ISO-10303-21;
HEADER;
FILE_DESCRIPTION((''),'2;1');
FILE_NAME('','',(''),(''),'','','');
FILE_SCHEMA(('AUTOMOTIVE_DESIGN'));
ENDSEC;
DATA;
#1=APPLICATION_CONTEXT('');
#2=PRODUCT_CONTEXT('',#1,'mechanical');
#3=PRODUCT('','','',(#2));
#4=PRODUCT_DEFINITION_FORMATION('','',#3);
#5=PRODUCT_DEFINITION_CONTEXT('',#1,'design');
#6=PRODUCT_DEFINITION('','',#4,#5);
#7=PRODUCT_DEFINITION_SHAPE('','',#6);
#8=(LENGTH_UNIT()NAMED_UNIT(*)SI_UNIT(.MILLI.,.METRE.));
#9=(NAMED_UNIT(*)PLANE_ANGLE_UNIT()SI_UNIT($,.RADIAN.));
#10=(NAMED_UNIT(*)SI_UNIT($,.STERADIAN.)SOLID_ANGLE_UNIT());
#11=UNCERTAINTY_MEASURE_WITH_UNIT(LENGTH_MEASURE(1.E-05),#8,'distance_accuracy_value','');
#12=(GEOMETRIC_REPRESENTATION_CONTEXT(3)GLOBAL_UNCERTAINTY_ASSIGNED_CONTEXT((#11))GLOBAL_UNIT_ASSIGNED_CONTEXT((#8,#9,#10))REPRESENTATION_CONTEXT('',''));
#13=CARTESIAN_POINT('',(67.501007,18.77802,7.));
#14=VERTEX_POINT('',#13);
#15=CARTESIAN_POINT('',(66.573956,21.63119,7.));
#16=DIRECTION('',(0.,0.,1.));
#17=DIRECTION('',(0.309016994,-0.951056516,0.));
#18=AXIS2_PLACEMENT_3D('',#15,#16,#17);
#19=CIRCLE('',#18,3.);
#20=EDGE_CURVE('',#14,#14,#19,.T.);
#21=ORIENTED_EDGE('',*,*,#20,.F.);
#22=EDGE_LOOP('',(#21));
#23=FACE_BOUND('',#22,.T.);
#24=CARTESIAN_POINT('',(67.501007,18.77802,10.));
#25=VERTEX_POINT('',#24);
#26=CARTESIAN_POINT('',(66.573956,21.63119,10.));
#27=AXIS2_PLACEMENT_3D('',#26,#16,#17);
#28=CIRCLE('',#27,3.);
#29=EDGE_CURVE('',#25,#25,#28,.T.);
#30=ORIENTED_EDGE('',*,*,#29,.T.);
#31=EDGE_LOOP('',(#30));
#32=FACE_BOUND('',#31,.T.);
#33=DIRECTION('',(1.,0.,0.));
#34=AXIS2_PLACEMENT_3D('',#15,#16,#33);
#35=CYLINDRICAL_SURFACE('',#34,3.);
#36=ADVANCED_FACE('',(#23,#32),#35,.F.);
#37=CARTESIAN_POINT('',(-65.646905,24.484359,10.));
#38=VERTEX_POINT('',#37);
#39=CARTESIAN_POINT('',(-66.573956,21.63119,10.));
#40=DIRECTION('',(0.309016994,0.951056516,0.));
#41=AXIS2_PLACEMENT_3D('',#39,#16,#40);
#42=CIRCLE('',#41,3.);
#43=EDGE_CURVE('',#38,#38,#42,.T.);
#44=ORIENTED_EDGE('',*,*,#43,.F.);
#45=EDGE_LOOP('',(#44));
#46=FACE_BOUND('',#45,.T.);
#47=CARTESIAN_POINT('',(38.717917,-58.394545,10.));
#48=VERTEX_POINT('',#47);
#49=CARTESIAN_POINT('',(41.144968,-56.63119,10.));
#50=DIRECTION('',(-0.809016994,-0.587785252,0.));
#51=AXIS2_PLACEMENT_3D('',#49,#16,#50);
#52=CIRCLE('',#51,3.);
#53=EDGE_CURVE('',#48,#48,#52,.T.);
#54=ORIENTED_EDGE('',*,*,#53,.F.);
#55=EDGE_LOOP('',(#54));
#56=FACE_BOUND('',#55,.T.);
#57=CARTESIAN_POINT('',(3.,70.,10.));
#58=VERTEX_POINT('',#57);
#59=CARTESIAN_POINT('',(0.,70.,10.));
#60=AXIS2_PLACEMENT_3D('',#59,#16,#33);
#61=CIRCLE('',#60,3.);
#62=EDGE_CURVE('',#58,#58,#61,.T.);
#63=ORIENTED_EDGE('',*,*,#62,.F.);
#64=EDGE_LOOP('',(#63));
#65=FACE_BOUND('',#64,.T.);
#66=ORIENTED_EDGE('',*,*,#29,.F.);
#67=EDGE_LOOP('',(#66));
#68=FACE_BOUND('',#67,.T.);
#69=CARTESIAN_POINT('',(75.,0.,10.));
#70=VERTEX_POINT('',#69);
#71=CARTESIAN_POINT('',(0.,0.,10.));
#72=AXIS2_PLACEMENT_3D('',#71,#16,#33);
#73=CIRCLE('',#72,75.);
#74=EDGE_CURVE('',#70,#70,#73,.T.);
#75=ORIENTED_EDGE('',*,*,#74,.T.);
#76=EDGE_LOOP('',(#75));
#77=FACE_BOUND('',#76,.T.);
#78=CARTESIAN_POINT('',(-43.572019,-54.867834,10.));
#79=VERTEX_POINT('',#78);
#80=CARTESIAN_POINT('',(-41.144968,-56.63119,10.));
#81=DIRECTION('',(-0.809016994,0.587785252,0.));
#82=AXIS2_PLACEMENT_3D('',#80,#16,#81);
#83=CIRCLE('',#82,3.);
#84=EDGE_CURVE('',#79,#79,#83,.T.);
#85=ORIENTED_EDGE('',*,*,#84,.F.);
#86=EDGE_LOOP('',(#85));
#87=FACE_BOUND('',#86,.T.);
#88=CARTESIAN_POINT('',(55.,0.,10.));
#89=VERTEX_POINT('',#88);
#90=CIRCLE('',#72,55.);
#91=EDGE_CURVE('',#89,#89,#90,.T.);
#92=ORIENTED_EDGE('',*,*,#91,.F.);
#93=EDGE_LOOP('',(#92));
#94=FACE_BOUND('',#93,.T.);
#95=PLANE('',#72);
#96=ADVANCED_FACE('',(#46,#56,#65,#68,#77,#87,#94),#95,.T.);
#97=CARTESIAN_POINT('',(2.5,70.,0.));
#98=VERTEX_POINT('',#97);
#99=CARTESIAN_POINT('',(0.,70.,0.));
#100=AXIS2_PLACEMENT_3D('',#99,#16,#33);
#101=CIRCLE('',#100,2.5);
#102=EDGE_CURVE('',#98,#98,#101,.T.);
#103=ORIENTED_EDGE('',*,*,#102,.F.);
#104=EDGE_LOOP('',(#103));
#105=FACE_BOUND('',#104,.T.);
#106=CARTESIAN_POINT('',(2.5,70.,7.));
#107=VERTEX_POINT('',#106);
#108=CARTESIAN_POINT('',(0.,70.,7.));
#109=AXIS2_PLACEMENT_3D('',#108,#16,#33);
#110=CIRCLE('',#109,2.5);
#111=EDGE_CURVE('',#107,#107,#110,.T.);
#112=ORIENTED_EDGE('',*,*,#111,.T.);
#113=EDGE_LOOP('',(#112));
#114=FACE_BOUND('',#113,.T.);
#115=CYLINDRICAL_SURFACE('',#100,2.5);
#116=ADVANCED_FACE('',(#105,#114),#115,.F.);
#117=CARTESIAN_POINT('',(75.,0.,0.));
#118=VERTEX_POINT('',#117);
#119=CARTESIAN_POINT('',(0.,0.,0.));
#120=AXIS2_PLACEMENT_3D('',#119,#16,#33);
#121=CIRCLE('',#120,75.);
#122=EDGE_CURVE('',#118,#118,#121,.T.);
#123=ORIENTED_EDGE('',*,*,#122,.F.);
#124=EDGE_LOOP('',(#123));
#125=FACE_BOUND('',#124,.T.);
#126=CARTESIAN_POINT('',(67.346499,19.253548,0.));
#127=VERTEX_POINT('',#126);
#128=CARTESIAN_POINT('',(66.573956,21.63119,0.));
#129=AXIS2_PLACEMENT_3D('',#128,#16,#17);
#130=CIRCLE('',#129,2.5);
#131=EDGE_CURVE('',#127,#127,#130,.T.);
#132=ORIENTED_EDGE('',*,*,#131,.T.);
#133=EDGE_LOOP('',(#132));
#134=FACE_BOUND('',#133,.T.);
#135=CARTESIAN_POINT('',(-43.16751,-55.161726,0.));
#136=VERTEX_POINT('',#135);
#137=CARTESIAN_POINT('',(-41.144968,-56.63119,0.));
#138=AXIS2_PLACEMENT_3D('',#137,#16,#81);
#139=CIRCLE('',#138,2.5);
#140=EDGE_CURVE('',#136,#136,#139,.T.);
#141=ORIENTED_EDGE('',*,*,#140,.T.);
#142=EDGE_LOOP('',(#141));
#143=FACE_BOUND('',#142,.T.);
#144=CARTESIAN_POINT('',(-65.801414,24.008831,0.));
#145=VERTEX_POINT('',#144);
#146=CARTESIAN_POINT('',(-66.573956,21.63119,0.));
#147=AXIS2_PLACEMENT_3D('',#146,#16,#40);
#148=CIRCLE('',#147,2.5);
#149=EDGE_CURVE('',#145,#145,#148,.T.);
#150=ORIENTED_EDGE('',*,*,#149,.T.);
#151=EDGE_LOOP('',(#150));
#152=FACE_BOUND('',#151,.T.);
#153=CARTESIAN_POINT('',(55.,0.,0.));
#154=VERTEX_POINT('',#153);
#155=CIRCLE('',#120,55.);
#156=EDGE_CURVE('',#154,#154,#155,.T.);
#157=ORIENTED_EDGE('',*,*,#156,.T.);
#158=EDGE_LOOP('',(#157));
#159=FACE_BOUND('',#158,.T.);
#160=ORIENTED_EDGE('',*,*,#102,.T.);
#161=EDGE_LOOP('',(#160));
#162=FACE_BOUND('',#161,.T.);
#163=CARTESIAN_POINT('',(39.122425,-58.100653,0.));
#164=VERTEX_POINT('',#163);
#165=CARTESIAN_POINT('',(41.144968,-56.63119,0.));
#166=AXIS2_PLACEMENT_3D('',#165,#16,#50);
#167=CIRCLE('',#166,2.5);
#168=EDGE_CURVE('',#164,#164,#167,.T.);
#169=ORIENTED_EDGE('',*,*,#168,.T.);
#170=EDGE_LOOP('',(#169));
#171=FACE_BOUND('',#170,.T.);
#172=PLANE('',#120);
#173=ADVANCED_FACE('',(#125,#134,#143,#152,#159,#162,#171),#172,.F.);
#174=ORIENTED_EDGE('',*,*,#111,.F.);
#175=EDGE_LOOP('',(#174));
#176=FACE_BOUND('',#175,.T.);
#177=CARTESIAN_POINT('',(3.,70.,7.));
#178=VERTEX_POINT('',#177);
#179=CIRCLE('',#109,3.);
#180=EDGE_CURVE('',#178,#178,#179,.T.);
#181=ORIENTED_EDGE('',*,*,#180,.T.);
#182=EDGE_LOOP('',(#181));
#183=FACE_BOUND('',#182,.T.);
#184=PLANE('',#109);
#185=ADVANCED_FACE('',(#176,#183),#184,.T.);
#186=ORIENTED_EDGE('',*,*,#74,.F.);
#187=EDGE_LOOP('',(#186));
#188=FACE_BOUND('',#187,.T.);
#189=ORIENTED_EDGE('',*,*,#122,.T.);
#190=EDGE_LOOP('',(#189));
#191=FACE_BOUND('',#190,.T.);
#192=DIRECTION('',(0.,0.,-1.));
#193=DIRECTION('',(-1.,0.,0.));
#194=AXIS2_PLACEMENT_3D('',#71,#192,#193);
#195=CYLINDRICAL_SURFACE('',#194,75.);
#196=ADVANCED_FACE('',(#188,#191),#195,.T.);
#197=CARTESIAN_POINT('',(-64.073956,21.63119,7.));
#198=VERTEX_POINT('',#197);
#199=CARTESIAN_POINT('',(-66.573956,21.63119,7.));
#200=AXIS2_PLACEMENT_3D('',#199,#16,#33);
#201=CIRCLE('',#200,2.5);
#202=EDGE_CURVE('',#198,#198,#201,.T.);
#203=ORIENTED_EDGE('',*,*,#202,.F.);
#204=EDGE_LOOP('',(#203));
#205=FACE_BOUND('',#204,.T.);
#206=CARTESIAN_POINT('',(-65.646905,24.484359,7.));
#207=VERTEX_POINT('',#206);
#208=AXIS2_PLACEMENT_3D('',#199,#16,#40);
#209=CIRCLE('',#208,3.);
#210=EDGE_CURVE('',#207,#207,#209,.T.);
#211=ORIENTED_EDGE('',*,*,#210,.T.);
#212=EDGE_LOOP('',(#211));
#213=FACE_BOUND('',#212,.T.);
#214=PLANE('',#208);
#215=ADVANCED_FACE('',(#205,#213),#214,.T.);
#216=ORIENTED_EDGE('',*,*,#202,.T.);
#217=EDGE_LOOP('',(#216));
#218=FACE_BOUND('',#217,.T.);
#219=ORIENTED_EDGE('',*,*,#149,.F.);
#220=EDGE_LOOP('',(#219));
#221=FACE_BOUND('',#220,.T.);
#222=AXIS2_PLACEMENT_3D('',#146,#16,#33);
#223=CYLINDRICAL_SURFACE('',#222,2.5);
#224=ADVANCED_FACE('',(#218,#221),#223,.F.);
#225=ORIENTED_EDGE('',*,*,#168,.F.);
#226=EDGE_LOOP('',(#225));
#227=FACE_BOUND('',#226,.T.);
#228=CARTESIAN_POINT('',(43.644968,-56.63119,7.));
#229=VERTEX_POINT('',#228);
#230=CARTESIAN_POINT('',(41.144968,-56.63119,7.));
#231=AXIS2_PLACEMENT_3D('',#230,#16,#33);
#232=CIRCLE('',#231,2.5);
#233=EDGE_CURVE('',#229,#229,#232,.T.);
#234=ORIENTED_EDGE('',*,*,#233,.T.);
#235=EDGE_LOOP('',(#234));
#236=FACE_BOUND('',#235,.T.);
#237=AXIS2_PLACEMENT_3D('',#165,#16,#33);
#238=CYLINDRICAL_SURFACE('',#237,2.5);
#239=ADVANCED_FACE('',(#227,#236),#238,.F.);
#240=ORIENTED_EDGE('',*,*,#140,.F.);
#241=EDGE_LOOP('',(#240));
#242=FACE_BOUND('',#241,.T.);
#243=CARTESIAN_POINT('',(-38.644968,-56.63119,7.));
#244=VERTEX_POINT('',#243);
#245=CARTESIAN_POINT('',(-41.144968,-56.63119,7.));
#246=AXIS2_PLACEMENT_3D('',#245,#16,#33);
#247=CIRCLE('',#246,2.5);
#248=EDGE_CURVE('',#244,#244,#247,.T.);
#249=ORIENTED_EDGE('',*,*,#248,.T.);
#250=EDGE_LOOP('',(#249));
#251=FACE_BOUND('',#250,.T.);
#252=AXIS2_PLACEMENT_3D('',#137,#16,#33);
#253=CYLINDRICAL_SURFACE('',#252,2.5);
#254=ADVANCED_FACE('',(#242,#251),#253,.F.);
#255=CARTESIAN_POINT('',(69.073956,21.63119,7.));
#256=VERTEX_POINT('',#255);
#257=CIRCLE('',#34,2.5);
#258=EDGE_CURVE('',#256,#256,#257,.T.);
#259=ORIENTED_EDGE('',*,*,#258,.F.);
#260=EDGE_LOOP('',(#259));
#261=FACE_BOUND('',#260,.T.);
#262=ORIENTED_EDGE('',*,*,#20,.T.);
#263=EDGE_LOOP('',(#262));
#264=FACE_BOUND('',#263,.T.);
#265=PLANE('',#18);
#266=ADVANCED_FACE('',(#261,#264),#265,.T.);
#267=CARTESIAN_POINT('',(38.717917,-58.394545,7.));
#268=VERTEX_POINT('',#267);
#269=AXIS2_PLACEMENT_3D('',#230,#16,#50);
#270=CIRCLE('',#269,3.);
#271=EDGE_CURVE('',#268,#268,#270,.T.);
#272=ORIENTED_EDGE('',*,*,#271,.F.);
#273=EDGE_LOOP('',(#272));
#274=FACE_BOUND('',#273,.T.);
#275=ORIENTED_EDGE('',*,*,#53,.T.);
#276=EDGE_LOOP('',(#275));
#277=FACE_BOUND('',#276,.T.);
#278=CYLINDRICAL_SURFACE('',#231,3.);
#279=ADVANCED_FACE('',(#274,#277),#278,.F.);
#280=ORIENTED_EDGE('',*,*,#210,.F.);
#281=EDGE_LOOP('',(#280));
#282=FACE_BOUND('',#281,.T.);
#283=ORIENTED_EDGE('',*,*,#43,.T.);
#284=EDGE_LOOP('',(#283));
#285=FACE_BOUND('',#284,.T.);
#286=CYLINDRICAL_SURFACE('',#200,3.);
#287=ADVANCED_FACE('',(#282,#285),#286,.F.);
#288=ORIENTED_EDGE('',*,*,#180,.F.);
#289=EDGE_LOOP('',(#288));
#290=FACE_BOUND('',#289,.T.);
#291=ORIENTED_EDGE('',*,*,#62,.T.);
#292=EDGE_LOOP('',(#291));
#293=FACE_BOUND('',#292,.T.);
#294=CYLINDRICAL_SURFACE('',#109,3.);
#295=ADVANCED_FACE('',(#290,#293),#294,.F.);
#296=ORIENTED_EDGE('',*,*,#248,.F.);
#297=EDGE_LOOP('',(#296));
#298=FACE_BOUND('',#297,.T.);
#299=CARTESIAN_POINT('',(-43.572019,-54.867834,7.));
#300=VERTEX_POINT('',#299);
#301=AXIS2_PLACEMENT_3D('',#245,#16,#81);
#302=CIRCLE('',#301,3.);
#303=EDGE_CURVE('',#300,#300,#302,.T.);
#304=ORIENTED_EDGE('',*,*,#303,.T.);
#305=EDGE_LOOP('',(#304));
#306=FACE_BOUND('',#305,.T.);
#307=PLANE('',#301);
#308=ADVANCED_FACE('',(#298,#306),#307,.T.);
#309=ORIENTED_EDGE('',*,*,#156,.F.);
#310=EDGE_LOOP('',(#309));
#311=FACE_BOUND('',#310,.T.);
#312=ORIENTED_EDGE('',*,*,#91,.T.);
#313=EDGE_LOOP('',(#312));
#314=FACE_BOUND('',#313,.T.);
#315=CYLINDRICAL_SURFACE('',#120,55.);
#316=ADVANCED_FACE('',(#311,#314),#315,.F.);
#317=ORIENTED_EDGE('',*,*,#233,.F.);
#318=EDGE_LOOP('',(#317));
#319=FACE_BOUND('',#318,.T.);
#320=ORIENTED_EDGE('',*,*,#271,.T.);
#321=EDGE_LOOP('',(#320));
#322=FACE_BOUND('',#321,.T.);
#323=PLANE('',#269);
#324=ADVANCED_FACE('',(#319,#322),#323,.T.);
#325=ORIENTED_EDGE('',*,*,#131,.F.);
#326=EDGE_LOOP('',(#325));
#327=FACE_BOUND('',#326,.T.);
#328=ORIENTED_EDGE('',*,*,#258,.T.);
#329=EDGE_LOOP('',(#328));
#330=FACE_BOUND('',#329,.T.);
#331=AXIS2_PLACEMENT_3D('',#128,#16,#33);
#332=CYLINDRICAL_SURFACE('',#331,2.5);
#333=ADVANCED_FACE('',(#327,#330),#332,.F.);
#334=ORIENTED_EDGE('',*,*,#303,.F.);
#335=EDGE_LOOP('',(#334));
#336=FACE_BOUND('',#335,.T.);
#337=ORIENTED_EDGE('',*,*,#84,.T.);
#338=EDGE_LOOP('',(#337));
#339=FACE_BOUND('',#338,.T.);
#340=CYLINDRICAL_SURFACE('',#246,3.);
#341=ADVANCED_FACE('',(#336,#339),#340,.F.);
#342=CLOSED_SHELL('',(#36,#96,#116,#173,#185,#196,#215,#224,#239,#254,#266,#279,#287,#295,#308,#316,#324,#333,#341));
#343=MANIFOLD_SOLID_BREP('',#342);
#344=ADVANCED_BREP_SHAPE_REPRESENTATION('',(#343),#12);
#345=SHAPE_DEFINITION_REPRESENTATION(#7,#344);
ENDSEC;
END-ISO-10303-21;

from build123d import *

# Parameters (mm, degrees)
SKETCH2_R           = 75
BOSS_EXTRUDE1_DEPTH = 10
SKETCH3_R           = 55
CUT_EXTRUDE1_DEPTH  = 10
SKETCH6_R           = 3
CUT_EXTRUDE2_DEPTH  = 3
SKETCH5_R           = 2.5
CUT_EXTRUDE3_DEPTH  = 107.536378763
CIRPATTERN2_COUNT   = 5


with BuildPart() as part:
    # Sketch2 → Boss-Extrude1 (new body)
    with BuildSketch(Plane(origin=(0, 0, 0), x_dir=(0, 1, 0), z_dir=(0, 0, 1))):
        with Locations(Location((0, 0, 0), (0, 0, 270))):
            Circle(SKETCH2_R)
    extrude(amount=BOSS_EXTRUDE1_DEPTH)

    # Sketch3 → Cut-Extrude1 (cut)
    with BuildSketch(Plane.XY.offset(10)):
        Circle(SKETCH3_R)
    extrude(amount=-CUT_EXTRUDE1_DEPTH, mode=Mode.SUBTRACT)

    # Sketch6 → Cut-Extrude2 (cut)
    with BuildSketch(Plane.XY.offset(10)):
        with Locations((0, 70)):
            Circle(SKETCH6_R)
    cut_extrude2 = extrude(amount=-CUT_EXTRUDE2_DEPTH, mode=Mode.SUBTRACT)

    # Sketch5 → Cut-Extrude3 (cut, through all)
    with BuildSketch(Plane.XY.offset(10)):
        with Locations((0, 70)):
            Circle(SKETCH5_R)
    cut_extrude3 = extrude(amount=-CUT_EXTRUDE3_DEPTH, mode=Mode.SUBTRACT)

    # CirPattern2: Cut-Extrude2, Cut-Extrude3 ×5 about axis
    cirpattern2_axis = Axis((0, 0, 0), (0, 0, 1))
    add([cut_extrude2.rotate(cirpattern2_axis, i * 360 / CIRPATTERN2_COUNT) for i in range(1, CIRPATTERN2_COUNT)], mode=Mode.SUBTRACT)
    add([cut_extrude3.rotate(cirpattern2_axis, i * 360 / CIRPATTERN2_COUNT) for i in range(1, CIRPATTERN2_COUNT)], mode=Mode.SUBTRACT)


solid = part.part
